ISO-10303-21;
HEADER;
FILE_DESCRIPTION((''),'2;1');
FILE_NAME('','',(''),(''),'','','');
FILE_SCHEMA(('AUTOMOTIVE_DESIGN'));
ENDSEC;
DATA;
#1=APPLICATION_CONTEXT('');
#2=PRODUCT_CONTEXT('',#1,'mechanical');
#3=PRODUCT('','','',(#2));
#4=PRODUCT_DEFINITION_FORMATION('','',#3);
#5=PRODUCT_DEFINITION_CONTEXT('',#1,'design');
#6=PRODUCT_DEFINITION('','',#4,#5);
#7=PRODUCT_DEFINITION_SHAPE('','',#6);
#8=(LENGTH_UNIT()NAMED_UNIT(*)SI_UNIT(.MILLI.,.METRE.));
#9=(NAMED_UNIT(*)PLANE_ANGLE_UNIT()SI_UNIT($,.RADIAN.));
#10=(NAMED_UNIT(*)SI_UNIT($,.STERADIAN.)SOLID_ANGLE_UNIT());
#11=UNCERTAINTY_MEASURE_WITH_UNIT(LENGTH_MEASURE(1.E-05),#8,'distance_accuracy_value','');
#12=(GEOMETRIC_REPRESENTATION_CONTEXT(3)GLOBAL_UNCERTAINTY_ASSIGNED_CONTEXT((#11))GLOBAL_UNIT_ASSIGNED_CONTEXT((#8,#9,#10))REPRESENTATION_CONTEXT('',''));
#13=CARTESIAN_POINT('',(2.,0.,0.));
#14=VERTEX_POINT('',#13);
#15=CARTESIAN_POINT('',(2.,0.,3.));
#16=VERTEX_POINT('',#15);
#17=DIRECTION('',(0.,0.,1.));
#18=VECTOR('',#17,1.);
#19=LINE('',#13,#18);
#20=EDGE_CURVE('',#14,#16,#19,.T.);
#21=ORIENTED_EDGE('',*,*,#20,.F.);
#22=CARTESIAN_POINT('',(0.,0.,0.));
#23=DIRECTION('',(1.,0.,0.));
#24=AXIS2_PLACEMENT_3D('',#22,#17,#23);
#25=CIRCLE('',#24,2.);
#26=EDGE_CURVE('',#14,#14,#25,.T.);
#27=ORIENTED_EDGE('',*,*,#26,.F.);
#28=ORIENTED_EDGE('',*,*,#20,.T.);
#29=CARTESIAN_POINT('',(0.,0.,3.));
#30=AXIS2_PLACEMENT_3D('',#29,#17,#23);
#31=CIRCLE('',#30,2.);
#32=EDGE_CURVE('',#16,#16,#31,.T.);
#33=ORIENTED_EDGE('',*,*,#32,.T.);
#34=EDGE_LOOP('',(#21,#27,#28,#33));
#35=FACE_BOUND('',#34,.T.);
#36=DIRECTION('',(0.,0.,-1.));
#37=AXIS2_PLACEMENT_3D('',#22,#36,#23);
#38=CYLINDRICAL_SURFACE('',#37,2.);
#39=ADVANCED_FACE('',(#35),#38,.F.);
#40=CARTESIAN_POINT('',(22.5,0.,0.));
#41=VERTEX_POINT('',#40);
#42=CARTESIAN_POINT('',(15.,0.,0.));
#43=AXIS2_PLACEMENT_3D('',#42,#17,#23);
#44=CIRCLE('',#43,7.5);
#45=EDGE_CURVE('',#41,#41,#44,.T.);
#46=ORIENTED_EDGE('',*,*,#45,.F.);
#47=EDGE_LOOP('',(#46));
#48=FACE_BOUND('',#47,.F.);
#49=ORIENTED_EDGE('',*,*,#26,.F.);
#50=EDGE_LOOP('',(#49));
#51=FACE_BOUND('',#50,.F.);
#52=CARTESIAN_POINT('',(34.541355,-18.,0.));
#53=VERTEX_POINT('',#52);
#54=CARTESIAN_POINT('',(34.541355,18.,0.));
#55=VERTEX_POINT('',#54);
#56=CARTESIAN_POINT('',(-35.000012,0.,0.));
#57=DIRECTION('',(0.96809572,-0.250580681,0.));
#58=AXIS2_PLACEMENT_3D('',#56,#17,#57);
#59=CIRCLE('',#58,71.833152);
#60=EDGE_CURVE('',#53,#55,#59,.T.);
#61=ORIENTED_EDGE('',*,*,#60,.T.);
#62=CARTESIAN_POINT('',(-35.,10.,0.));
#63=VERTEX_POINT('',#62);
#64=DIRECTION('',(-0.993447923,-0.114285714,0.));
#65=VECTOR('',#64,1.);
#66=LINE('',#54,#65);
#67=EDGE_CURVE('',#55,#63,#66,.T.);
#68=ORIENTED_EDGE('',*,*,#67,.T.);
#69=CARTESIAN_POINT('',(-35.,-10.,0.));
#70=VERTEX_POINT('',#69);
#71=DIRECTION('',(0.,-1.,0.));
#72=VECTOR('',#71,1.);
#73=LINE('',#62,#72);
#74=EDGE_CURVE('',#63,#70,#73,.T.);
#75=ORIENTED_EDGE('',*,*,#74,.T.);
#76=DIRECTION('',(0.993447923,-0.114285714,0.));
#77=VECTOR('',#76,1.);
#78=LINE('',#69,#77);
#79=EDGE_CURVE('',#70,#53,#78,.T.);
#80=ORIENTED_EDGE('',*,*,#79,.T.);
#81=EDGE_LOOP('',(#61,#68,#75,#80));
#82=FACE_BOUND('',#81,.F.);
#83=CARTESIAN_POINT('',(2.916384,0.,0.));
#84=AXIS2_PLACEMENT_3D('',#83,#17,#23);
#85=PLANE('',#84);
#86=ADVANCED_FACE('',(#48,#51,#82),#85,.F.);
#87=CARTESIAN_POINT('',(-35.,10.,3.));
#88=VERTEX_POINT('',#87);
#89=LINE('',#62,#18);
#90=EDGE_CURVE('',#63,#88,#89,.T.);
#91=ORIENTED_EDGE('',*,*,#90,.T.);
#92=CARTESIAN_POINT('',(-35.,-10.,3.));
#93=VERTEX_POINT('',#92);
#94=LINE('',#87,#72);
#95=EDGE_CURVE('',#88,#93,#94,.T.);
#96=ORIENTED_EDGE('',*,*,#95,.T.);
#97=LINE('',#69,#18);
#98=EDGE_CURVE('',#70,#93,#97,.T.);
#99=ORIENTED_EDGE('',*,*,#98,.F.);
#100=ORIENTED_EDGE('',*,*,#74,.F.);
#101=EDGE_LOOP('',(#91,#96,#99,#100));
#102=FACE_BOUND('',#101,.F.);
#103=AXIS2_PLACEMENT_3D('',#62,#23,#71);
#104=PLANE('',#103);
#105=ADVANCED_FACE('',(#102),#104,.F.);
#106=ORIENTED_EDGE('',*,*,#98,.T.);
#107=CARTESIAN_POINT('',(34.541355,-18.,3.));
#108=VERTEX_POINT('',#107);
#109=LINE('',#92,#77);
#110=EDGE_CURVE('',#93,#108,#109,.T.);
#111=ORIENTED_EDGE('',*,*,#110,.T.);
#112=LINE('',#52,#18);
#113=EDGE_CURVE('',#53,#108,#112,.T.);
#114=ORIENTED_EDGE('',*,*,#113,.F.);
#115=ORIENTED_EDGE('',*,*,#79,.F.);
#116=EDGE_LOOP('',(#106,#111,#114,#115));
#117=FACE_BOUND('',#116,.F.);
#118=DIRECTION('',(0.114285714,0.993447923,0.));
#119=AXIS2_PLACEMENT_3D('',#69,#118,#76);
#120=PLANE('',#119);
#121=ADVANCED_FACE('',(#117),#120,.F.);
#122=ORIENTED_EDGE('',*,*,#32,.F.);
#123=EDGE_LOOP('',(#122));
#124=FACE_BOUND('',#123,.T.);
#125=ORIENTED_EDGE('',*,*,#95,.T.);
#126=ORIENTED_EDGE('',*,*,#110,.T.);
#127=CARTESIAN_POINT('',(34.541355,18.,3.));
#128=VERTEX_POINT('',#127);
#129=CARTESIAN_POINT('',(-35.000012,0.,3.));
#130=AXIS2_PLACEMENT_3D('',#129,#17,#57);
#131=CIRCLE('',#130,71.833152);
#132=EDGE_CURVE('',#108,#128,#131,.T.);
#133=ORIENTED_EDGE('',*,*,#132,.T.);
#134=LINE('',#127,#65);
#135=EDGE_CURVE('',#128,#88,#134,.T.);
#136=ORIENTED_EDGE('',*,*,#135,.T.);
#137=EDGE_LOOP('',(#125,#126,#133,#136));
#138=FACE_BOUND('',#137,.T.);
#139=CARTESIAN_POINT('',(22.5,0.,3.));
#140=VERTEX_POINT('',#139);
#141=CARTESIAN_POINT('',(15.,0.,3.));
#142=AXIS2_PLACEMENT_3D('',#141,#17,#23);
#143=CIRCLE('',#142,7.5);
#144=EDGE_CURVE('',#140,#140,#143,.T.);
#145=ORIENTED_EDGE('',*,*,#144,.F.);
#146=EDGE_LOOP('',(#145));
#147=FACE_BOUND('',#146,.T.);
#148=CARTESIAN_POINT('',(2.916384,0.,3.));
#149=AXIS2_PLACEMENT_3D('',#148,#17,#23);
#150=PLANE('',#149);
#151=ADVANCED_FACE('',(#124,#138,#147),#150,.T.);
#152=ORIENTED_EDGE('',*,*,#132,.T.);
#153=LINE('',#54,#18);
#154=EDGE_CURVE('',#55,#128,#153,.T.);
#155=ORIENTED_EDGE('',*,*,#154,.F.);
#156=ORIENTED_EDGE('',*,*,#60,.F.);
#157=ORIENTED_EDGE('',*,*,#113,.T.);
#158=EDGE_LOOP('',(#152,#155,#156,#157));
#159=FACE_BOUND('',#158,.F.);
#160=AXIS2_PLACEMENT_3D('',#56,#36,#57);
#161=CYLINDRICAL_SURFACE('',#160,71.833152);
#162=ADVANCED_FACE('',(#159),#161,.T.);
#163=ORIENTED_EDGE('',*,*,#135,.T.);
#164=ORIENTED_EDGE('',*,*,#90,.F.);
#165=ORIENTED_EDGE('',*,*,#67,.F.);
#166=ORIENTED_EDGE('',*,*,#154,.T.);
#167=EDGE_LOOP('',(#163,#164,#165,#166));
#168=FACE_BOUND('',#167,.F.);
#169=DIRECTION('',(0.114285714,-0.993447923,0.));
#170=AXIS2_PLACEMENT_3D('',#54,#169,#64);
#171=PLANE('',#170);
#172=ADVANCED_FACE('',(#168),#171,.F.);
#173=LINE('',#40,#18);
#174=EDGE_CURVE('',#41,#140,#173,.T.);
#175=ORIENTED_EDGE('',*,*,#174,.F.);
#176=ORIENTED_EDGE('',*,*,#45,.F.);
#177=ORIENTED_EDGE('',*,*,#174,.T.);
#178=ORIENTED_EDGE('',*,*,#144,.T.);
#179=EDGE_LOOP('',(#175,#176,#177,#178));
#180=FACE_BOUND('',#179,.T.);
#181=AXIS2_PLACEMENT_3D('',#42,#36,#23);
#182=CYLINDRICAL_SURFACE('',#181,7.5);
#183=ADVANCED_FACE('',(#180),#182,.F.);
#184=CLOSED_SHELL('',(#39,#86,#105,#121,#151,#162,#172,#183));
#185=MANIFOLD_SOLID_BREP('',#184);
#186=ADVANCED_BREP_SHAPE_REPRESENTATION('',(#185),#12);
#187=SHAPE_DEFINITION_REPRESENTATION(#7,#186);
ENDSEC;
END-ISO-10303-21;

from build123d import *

# Parameters (mm, degrees)
F0_R     = 2
F0_R_2   = 7.5
F1_DEPTH = 3


with BuildPart() as f1:
    # F0 (on Top) → F1 (new body)
    with BuildSketch(Plane.XY):
        with BuildLine():
            ThreePointArc((34.541355, -18), (36.83314, 0), (34.541355, 18))
            Line((34.541355, 18), (-35, 10))
            Line((-35, 10), (-35, -10))
            Line((-35, -10), (34.541355, -18))
        make_face()
        Circle(F0_R, mode=Mode.SUBTRACT)
        with Locations((15, 0)):
            Circle(F0_R_2, mode=Mode.SUBTRACT)
    extrude(amount=F1_DEPTH)


solid = f1.part
